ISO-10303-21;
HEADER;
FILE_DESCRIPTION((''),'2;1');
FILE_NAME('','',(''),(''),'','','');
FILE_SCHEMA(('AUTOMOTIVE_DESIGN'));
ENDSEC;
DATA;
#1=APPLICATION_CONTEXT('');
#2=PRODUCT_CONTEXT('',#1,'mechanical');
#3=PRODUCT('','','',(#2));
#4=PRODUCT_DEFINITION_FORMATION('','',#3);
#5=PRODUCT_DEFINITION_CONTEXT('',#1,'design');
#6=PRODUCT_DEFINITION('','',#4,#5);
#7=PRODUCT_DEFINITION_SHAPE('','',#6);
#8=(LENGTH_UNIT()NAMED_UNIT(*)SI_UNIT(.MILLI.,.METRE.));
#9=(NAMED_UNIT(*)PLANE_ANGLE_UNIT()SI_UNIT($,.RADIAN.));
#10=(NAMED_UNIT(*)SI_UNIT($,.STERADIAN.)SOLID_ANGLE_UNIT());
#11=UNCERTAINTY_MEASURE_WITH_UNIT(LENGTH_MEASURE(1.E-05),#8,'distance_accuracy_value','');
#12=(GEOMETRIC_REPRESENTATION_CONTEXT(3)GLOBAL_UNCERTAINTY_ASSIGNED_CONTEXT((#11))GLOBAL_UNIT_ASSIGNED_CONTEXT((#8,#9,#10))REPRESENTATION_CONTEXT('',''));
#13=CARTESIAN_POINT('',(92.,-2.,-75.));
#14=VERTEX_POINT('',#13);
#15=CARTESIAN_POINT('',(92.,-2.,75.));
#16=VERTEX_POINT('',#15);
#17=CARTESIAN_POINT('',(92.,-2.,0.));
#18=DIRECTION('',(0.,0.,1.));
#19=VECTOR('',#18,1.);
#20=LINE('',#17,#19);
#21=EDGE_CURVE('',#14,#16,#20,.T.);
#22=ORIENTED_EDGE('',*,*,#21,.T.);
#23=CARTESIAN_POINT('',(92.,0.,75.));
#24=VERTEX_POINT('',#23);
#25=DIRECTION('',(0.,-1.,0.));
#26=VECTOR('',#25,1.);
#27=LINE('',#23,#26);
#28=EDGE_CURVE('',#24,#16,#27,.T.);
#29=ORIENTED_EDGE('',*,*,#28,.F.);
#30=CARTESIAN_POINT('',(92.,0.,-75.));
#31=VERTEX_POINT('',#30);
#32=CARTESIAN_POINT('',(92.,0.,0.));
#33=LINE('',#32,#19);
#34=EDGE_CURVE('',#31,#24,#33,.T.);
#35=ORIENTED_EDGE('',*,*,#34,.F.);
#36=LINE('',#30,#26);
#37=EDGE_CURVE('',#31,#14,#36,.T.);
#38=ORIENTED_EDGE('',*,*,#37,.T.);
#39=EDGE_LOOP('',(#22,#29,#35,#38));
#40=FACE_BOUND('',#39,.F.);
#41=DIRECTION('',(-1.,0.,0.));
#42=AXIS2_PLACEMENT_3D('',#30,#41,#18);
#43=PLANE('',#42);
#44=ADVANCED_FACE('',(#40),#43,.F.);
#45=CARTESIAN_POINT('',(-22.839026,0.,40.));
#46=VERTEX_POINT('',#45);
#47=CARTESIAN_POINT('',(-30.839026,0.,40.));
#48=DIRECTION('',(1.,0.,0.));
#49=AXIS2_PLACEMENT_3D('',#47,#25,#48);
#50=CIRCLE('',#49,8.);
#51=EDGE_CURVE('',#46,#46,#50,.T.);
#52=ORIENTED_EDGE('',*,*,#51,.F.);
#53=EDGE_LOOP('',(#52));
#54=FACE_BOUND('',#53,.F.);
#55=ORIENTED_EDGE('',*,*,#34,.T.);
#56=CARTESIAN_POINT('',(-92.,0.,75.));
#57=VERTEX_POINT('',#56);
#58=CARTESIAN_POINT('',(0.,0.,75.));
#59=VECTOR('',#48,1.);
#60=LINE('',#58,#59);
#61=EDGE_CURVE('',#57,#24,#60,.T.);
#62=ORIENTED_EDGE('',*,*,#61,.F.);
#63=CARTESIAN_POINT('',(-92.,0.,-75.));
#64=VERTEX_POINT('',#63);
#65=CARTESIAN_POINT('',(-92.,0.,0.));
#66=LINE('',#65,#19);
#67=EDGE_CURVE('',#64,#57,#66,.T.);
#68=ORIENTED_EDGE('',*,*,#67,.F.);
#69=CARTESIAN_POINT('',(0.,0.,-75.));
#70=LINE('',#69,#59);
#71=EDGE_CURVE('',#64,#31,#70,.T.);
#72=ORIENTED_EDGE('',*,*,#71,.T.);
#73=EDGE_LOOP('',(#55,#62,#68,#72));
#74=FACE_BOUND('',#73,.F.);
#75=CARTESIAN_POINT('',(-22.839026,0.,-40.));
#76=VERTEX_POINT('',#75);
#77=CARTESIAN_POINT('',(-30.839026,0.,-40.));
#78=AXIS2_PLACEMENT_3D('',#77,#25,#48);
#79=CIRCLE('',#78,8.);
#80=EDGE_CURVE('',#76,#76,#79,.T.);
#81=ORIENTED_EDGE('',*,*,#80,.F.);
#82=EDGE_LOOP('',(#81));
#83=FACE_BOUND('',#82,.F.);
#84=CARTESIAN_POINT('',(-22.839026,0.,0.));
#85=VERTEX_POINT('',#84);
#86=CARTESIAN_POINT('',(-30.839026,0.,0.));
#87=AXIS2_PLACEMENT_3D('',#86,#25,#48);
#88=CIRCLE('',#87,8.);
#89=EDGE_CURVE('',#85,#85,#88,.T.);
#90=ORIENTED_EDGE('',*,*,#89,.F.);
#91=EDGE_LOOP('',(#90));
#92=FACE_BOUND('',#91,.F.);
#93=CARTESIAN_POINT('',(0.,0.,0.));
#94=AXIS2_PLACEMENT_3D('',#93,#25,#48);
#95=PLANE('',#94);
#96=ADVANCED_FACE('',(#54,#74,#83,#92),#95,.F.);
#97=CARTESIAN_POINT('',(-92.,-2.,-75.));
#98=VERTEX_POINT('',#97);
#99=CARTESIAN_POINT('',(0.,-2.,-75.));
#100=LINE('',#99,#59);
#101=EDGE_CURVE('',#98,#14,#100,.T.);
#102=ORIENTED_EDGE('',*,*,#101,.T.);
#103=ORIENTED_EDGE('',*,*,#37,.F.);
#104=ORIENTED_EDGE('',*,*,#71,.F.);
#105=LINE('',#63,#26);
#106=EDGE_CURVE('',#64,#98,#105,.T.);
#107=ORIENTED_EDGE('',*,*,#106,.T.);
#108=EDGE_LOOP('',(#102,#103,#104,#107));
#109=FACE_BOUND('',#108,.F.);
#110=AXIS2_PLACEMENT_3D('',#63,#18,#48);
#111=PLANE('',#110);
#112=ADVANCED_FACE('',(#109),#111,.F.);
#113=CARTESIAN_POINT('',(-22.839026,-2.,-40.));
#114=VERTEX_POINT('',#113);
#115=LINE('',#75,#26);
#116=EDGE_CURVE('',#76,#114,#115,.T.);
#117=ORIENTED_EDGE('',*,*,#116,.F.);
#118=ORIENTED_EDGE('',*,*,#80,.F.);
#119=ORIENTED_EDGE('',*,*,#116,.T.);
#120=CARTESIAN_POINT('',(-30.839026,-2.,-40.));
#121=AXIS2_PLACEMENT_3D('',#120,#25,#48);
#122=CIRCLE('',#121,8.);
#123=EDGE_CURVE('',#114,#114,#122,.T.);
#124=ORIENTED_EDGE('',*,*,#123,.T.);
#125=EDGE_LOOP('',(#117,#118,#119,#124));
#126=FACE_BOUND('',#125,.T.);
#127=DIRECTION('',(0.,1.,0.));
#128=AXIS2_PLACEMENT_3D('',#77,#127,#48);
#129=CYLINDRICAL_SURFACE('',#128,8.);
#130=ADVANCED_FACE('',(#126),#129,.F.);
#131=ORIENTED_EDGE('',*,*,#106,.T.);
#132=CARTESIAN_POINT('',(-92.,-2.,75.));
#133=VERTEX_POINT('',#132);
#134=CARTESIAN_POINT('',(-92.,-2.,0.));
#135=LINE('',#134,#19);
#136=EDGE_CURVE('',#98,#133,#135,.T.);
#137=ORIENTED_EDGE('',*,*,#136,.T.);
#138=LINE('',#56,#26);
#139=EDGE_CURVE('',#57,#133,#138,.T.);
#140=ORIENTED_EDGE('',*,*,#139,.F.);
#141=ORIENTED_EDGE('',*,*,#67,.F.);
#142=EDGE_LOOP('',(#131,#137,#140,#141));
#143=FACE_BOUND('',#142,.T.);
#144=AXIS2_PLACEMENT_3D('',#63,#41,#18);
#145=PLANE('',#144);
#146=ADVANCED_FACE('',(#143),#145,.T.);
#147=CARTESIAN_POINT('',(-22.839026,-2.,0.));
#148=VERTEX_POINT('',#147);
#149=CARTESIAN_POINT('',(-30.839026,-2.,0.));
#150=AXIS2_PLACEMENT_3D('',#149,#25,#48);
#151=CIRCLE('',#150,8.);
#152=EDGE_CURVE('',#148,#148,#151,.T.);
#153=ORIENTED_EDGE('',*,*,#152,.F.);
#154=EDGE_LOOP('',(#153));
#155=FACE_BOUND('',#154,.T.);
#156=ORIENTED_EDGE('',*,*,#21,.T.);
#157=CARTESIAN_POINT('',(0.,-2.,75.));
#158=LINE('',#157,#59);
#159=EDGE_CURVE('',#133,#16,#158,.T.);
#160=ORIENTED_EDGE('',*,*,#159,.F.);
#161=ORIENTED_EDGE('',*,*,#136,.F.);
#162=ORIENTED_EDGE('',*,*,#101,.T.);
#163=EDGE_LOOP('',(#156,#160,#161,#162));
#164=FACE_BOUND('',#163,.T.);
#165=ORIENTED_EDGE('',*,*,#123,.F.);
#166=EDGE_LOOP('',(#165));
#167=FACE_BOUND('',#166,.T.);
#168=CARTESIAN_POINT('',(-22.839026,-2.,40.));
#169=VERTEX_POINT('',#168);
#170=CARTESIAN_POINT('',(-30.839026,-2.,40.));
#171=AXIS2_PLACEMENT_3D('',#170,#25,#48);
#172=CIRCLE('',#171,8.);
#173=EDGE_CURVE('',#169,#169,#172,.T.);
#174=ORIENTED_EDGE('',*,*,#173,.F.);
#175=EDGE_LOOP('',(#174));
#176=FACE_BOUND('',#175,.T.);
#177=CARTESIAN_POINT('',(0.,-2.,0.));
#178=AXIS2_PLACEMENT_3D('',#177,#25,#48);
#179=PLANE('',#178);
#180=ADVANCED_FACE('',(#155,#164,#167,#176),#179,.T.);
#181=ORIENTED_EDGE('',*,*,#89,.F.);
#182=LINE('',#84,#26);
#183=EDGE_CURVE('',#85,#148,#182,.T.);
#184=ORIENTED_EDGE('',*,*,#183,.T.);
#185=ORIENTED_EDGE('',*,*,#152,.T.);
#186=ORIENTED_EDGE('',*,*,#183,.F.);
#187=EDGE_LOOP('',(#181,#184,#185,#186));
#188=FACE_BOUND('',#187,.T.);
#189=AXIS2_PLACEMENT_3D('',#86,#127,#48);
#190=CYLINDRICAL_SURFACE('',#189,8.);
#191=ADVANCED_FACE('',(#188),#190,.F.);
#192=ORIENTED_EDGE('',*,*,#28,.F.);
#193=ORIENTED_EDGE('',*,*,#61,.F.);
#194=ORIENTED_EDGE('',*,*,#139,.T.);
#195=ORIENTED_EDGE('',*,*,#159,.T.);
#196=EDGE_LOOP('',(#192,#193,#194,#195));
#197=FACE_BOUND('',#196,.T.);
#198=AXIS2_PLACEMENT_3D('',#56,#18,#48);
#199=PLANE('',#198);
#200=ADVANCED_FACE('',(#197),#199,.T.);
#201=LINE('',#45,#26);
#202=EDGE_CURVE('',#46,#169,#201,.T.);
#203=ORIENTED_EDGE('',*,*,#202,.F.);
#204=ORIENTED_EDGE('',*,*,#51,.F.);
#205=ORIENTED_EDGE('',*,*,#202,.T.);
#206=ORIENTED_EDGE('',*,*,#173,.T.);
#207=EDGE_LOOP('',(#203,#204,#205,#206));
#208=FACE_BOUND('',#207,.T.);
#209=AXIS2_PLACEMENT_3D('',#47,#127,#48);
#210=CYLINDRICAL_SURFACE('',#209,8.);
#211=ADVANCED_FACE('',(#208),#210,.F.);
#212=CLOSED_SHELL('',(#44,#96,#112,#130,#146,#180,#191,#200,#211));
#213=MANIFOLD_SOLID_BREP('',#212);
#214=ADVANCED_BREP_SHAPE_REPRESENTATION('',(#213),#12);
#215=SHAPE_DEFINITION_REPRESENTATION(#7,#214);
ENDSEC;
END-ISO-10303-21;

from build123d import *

# Parameters (mm, degrees)
F0_W     = 184
F0_H     = 150
F0_R     = 8
F1_DEPTH = 2


with BuildPart() as f1:
    # F0 (on Front) → F1 (new body)
    with BuildSketch(Plane.XZ):
        Rectangle(F0_W, F0_H)
        with Locations((-30.839026, -40)):
            Circle(F0_R, mode=Mode.SUBTRACT)
        with Locations((-30.839026, 0)):
            Circle(F0_R, mode=Mode.SUBTRACT)
        with Locations((-30.839026, 40)):
            Circle(F0_R, mode=Mode.SUBTRACT)
    extrude(amount=F1_DEPTH)


solid = f1.part
